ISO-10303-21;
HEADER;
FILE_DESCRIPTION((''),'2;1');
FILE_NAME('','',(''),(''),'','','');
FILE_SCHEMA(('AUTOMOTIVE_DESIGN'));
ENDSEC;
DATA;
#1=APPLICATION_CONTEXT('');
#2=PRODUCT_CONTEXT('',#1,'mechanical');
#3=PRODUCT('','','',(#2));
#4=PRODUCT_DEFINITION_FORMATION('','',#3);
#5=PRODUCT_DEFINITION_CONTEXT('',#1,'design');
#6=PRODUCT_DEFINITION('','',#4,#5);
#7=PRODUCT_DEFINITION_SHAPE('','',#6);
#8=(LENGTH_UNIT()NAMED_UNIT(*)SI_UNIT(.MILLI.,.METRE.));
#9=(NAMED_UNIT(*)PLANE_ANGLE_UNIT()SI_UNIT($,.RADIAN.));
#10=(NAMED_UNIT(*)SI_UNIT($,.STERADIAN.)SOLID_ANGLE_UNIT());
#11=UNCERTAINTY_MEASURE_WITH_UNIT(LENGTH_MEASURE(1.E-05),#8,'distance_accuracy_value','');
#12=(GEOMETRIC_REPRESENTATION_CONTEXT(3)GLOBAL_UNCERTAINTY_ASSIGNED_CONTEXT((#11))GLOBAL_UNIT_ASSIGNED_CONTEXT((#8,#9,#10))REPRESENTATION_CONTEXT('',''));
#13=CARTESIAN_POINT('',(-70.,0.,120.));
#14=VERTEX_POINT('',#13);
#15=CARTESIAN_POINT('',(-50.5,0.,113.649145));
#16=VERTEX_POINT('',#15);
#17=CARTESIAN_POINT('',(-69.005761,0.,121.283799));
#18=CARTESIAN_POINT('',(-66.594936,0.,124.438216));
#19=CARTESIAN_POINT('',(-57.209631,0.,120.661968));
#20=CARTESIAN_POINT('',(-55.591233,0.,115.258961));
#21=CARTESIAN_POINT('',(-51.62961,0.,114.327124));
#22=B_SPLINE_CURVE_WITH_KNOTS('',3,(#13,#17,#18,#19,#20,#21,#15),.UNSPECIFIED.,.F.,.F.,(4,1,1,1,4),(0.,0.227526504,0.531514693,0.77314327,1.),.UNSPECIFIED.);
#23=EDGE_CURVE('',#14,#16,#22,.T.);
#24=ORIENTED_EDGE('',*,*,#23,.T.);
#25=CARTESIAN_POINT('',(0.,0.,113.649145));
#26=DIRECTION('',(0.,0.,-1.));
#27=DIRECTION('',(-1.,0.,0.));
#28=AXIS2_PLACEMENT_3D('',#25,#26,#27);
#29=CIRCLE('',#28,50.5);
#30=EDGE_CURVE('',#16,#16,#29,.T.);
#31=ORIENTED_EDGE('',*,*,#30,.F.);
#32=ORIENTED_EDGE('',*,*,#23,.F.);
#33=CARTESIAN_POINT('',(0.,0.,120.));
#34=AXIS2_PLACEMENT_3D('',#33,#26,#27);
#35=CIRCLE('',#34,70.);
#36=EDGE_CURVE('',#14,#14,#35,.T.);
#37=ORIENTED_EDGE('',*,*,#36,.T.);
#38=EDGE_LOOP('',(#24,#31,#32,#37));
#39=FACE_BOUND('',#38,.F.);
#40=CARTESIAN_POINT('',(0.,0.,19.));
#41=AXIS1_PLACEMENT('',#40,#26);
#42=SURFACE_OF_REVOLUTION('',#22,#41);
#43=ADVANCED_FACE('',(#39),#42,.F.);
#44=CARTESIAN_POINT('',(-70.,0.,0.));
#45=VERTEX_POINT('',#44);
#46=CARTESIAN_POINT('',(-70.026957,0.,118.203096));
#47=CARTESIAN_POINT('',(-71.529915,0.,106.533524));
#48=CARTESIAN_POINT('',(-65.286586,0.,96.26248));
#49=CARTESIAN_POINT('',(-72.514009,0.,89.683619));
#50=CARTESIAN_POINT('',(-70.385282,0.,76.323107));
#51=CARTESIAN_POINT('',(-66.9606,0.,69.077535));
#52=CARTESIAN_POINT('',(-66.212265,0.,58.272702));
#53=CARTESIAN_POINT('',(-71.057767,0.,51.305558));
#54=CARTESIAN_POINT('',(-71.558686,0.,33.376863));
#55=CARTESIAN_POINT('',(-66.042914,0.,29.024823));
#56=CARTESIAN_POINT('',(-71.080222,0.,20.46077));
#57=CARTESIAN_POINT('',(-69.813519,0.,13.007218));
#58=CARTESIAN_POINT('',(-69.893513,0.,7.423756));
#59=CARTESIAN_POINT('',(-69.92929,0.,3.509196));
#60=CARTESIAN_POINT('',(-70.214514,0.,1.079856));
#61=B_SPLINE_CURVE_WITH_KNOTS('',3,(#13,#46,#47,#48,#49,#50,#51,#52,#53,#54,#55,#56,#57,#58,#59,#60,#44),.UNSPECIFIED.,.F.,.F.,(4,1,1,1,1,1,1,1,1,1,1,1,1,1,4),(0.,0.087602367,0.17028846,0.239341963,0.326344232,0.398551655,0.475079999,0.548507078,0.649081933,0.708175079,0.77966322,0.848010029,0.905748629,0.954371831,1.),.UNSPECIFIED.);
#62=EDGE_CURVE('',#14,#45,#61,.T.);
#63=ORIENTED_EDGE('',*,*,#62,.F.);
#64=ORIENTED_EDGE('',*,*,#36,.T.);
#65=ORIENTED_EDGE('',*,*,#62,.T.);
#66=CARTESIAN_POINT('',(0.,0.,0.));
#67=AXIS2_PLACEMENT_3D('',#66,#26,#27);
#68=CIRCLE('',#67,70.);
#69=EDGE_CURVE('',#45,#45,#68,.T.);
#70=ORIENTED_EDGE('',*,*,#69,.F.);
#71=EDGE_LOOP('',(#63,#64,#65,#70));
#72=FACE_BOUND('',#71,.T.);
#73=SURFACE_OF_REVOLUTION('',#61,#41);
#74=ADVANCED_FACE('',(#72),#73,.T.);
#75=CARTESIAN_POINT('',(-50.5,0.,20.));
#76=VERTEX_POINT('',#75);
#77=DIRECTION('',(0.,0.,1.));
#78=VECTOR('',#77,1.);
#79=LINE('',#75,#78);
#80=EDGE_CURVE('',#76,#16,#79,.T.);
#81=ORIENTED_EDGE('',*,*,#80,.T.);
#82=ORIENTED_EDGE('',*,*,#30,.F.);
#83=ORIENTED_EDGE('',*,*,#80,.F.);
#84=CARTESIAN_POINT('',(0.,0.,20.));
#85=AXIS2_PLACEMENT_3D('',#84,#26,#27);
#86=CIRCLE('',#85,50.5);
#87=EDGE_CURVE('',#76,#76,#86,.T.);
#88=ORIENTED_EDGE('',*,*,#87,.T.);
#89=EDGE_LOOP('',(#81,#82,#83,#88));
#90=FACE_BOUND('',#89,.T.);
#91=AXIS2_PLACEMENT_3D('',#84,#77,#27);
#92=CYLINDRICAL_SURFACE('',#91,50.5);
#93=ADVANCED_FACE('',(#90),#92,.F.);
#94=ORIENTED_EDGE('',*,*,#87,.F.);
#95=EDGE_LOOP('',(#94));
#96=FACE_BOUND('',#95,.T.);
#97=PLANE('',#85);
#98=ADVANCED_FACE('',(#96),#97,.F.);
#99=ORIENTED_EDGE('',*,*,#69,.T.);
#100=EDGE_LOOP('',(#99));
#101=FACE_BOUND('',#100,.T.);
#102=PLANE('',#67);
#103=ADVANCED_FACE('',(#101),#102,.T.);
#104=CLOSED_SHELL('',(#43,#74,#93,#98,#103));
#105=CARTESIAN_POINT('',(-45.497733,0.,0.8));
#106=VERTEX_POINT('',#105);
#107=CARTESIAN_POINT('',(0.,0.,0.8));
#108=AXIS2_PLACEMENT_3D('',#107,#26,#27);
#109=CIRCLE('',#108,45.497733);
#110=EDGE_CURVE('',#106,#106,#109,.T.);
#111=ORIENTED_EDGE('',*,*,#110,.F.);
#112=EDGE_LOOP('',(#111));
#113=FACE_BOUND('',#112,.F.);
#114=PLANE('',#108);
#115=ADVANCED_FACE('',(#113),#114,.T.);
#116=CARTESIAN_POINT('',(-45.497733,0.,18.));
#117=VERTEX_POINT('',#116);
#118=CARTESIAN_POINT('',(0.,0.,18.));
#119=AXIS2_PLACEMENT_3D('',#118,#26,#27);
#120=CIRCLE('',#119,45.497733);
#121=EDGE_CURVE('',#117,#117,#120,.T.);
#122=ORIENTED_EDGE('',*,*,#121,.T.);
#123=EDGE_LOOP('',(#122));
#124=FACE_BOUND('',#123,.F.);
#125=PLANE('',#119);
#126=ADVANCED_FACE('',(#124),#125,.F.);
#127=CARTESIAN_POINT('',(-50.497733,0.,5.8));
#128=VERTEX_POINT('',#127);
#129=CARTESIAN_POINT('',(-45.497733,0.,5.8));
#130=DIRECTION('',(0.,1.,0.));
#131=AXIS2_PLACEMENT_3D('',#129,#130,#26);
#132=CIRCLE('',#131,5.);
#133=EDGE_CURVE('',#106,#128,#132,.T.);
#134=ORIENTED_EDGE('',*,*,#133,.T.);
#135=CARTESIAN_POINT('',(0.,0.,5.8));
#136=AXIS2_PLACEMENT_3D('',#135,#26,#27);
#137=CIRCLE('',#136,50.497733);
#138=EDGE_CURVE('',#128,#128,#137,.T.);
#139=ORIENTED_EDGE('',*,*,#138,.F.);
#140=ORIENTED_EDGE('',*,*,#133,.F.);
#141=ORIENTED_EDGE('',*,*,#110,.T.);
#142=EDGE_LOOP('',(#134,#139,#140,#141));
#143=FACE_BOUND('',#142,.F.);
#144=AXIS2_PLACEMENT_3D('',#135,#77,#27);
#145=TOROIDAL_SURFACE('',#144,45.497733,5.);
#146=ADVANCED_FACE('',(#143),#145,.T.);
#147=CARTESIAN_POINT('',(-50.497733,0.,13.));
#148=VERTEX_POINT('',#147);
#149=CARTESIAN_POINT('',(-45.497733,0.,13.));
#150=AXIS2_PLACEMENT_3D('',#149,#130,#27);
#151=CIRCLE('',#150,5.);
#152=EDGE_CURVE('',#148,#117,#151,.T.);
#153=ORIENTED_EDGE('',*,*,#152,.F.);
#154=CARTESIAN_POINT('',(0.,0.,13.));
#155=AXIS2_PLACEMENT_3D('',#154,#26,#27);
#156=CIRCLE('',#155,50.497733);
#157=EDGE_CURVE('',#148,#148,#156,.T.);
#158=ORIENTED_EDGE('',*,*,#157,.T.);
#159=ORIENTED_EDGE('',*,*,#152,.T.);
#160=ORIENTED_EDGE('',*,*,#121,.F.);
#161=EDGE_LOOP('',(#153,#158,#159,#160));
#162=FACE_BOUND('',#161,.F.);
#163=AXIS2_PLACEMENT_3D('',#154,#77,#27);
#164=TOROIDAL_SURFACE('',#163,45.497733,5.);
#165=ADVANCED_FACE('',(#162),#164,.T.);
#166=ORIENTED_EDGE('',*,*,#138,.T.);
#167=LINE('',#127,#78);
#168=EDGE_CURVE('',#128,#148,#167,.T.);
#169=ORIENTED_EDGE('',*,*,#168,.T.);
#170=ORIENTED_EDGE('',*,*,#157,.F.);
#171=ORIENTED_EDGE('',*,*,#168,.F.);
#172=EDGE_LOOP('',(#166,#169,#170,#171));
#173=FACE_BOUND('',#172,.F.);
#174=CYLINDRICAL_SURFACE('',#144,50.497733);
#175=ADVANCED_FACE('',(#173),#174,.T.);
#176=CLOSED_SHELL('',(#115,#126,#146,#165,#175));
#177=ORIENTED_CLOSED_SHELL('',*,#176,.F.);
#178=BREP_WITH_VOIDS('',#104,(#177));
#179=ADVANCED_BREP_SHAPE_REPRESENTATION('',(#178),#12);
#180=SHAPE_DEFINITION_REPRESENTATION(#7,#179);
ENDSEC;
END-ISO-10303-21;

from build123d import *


with BuildPart() as f1:
    # F0 (on Front) → F1 (revolve)
    with BuildSketch(Plane.XZ):
        with BuildLine():
            Line((-70, 0), (0, 0))
            Line((0, 0), (0, 0.8))
            Line((0, 0.8), (-45.4977330565, 0.8))
            ThreePointArc((-45.4977330565, 0.8), (-49.0332669625, 2.2644660941), (-50.4977330565, 5.8))
            Line((-50.4977330565, 5.8), (-50.4977330565, 13))
            ThreePointArc((-50.4977330565, 13), (-49.0332669625, 16.5355339059), (-45.4977330565, 18))
            Line((-45.4977330565, 18), (0, 18))
            Line((0, 18), (0, 20))
            Line((0, 20), (-50.5, 20))
            Line((-50.5, 20), (-50.5, 113.6491447687))
            add(Edge.make_bspline(
                [(-70, 120), (-69.0057608728, 121.2837992003), (-66.5949355182, 124.4382161707), (-57.2096312289, 120.6619679262), (-55.5912325079, 115.2589612242), (-51.629609738, 114.3271238381), (-50.5, 113.6491447687)],
                knots=[0, 0, 0, 0, 0.2275265042, 0.5315146934, 0.7731432701, 1, 1, 1, 1], degree=3))
            add(Edge.make_bspline(
                [(-70, 120), (-70.0269571315, 118.2030955428), (-71.5299145156, 106.5335242905), (-65.286585566, 96.2624803219), (-72.5140094545, 89.6836187758), (-70.3852820639, 76.3231067169), (-66.9605996718, 69.0775345081), (-66.2122645847, 58.2727022785), (-71.0577673453, 51.3055575454), (-71.5586859349, 33.3768626471), (-66.0429140164, 29.0248231213), (-71.0802218895, 20.4607702354), (-69.8135194971, 13.0072184979), (-69.8935132902, 7.4237564048), (-69.9292895128, 3.5091959978), (-70.2145140705, 1.0798557988), (-70, 0)],
                knots=[0, 0, 0, 0, 0.0876023674, 0.17028846, 0.2393419634, 0.3263442323, 0.3985516553, 0.4750799991, 0.5485070779, 0.649081933, 0.7081750786, 0.7796632202, 0.8480100293, 0.9057486289, 0.9543718308, 1, 1, 1, 1], degree=3))
        make_face()
    revolve(axis=Axis((0, 0, 19), (0, 0, -1)))


solid = f1.part
